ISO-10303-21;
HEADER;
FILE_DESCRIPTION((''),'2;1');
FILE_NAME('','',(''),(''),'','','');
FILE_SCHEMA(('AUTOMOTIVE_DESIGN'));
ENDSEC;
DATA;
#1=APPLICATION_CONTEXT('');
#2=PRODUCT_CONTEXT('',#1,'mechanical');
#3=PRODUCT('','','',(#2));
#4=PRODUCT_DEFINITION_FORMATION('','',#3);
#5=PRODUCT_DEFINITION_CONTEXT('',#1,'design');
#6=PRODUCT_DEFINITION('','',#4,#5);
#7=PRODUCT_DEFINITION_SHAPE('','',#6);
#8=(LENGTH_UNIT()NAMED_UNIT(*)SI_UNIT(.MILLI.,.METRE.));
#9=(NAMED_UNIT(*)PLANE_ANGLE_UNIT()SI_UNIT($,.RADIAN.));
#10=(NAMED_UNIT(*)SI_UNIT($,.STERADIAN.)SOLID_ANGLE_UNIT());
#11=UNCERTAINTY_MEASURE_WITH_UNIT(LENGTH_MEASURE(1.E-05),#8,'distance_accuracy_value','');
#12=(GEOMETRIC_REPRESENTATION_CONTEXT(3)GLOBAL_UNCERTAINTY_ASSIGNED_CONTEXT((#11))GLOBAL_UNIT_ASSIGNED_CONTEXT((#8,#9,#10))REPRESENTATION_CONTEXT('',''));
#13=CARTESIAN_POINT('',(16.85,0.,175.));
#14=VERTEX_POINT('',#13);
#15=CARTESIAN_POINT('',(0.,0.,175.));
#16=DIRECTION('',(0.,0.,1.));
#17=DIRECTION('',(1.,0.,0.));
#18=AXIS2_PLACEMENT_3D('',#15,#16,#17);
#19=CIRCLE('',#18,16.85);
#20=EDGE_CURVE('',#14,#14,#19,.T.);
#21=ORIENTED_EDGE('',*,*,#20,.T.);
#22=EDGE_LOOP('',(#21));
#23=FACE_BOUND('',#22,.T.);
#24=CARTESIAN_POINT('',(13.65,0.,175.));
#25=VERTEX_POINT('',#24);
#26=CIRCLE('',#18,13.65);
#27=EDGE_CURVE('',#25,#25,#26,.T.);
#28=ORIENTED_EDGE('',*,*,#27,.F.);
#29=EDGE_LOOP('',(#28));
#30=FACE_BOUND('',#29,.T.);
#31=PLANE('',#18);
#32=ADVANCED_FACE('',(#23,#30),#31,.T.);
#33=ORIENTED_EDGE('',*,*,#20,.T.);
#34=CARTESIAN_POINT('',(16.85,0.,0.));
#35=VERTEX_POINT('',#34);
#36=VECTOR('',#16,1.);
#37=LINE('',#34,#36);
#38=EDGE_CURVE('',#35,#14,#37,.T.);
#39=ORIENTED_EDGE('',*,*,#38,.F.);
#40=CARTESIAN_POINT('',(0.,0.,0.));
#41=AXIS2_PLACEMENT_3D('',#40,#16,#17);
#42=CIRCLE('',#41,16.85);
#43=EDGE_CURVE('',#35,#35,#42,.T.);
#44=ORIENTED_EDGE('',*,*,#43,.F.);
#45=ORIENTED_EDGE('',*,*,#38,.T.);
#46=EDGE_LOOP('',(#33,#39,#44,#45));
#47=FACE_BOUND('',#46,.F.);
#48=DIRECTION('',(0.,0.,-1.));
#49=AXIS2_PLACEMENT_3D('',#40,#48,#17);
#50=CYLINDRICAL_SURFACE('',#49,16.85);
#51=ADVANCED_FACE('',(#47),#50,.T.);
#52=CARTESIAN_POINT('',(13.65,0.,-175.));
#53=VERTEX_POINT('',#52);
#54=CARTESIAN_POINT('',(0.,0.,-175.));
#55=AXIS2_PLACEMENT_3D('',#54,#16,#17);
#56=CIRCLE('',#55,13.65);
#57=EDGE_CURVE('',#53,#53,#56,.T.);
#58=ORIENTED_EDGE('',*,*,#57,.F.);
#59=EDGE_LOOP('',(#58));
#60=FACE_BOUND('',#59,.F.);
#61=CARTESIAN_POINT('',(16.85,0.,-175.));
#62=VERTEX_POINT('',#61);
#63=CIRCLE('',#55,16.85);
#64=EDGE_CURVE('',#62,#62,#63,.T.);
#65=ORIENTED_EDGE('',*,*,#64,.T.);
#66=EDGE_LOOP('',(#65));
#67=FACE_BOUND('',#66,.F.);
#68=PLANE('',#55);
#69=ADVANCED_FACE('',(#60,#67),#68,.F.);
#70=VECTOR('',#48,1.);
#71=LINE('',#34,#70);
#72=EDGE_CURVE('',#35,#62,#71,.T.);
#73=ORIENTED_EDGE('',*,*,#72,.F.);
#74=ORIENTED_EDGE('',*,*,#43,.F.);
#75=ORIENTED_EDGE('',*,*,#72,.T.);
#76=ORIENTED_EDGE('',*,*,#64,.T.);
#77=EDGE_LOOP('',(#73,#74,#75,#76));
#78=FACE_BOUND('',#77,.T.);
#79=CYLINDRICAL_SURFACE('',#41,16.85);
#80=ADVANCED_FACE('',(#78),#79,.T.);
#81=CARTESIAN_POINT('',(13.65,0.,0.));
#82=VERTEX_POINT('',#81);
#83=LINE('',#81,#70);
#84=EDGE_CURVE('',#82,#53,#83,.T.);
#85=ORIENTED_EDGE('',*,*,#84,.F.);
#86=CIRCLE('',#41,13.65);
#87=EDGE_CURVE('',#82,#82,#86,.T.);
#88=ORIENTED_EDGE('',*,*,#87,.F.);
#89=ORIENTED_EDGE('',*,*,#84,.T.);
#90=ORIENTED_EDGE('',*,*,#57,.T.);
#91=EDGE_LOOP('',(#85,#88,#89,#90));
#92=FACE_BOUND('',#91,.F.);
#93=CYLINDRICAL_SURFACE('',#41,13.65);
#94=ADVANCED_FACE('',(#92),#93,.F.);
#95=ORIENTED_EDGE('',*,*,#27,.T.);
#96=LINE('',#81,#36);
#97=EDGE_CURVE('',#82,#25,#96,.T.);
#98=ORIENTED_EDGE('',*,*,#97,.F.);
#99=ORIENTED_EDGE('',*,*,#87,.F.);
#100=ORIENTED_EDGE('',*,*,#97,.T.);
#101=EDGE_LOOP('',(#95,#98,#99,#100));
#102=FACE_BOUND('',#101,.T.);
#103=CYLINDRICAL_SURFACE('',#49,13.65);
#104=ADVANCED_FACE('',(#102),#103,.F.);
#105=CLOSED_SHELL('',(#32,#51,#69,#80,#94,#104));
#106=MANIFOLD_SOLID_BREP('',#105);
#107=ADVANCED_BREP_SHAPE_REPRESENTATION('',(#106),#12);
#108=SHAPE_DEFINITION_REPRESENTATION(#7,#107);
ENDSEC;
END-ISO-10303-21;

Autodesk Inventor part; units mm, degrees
ref_plane "YZ Plane" through (0, 0, 0) normal (1, 0, 0) x (0, 1, 0)
ref_plane "XZ Plane" through (0, 0, 0) normal (0, 1, 0) x (-1, 0, 0)
ref_plane "XY Plane" through (0, 0, 0) normal (0, 0, 1) x (1, 0, 0)
sketch "Sketch1" plane through (0, 0, 0) normal (0, 0, 1) x (1, 0, 0)
  circle A0 centre (0, 0) radius 16.85
  circle A1 centre (0, 0) radius 13.65
  dimension "OD" = 33.7
  dimension "t" = 3.2
extrude "Extrusion1" add sketch "Sketch1" along normal mid plane 350
equation "\"size\" = 6"
properties part number "tube-06"
